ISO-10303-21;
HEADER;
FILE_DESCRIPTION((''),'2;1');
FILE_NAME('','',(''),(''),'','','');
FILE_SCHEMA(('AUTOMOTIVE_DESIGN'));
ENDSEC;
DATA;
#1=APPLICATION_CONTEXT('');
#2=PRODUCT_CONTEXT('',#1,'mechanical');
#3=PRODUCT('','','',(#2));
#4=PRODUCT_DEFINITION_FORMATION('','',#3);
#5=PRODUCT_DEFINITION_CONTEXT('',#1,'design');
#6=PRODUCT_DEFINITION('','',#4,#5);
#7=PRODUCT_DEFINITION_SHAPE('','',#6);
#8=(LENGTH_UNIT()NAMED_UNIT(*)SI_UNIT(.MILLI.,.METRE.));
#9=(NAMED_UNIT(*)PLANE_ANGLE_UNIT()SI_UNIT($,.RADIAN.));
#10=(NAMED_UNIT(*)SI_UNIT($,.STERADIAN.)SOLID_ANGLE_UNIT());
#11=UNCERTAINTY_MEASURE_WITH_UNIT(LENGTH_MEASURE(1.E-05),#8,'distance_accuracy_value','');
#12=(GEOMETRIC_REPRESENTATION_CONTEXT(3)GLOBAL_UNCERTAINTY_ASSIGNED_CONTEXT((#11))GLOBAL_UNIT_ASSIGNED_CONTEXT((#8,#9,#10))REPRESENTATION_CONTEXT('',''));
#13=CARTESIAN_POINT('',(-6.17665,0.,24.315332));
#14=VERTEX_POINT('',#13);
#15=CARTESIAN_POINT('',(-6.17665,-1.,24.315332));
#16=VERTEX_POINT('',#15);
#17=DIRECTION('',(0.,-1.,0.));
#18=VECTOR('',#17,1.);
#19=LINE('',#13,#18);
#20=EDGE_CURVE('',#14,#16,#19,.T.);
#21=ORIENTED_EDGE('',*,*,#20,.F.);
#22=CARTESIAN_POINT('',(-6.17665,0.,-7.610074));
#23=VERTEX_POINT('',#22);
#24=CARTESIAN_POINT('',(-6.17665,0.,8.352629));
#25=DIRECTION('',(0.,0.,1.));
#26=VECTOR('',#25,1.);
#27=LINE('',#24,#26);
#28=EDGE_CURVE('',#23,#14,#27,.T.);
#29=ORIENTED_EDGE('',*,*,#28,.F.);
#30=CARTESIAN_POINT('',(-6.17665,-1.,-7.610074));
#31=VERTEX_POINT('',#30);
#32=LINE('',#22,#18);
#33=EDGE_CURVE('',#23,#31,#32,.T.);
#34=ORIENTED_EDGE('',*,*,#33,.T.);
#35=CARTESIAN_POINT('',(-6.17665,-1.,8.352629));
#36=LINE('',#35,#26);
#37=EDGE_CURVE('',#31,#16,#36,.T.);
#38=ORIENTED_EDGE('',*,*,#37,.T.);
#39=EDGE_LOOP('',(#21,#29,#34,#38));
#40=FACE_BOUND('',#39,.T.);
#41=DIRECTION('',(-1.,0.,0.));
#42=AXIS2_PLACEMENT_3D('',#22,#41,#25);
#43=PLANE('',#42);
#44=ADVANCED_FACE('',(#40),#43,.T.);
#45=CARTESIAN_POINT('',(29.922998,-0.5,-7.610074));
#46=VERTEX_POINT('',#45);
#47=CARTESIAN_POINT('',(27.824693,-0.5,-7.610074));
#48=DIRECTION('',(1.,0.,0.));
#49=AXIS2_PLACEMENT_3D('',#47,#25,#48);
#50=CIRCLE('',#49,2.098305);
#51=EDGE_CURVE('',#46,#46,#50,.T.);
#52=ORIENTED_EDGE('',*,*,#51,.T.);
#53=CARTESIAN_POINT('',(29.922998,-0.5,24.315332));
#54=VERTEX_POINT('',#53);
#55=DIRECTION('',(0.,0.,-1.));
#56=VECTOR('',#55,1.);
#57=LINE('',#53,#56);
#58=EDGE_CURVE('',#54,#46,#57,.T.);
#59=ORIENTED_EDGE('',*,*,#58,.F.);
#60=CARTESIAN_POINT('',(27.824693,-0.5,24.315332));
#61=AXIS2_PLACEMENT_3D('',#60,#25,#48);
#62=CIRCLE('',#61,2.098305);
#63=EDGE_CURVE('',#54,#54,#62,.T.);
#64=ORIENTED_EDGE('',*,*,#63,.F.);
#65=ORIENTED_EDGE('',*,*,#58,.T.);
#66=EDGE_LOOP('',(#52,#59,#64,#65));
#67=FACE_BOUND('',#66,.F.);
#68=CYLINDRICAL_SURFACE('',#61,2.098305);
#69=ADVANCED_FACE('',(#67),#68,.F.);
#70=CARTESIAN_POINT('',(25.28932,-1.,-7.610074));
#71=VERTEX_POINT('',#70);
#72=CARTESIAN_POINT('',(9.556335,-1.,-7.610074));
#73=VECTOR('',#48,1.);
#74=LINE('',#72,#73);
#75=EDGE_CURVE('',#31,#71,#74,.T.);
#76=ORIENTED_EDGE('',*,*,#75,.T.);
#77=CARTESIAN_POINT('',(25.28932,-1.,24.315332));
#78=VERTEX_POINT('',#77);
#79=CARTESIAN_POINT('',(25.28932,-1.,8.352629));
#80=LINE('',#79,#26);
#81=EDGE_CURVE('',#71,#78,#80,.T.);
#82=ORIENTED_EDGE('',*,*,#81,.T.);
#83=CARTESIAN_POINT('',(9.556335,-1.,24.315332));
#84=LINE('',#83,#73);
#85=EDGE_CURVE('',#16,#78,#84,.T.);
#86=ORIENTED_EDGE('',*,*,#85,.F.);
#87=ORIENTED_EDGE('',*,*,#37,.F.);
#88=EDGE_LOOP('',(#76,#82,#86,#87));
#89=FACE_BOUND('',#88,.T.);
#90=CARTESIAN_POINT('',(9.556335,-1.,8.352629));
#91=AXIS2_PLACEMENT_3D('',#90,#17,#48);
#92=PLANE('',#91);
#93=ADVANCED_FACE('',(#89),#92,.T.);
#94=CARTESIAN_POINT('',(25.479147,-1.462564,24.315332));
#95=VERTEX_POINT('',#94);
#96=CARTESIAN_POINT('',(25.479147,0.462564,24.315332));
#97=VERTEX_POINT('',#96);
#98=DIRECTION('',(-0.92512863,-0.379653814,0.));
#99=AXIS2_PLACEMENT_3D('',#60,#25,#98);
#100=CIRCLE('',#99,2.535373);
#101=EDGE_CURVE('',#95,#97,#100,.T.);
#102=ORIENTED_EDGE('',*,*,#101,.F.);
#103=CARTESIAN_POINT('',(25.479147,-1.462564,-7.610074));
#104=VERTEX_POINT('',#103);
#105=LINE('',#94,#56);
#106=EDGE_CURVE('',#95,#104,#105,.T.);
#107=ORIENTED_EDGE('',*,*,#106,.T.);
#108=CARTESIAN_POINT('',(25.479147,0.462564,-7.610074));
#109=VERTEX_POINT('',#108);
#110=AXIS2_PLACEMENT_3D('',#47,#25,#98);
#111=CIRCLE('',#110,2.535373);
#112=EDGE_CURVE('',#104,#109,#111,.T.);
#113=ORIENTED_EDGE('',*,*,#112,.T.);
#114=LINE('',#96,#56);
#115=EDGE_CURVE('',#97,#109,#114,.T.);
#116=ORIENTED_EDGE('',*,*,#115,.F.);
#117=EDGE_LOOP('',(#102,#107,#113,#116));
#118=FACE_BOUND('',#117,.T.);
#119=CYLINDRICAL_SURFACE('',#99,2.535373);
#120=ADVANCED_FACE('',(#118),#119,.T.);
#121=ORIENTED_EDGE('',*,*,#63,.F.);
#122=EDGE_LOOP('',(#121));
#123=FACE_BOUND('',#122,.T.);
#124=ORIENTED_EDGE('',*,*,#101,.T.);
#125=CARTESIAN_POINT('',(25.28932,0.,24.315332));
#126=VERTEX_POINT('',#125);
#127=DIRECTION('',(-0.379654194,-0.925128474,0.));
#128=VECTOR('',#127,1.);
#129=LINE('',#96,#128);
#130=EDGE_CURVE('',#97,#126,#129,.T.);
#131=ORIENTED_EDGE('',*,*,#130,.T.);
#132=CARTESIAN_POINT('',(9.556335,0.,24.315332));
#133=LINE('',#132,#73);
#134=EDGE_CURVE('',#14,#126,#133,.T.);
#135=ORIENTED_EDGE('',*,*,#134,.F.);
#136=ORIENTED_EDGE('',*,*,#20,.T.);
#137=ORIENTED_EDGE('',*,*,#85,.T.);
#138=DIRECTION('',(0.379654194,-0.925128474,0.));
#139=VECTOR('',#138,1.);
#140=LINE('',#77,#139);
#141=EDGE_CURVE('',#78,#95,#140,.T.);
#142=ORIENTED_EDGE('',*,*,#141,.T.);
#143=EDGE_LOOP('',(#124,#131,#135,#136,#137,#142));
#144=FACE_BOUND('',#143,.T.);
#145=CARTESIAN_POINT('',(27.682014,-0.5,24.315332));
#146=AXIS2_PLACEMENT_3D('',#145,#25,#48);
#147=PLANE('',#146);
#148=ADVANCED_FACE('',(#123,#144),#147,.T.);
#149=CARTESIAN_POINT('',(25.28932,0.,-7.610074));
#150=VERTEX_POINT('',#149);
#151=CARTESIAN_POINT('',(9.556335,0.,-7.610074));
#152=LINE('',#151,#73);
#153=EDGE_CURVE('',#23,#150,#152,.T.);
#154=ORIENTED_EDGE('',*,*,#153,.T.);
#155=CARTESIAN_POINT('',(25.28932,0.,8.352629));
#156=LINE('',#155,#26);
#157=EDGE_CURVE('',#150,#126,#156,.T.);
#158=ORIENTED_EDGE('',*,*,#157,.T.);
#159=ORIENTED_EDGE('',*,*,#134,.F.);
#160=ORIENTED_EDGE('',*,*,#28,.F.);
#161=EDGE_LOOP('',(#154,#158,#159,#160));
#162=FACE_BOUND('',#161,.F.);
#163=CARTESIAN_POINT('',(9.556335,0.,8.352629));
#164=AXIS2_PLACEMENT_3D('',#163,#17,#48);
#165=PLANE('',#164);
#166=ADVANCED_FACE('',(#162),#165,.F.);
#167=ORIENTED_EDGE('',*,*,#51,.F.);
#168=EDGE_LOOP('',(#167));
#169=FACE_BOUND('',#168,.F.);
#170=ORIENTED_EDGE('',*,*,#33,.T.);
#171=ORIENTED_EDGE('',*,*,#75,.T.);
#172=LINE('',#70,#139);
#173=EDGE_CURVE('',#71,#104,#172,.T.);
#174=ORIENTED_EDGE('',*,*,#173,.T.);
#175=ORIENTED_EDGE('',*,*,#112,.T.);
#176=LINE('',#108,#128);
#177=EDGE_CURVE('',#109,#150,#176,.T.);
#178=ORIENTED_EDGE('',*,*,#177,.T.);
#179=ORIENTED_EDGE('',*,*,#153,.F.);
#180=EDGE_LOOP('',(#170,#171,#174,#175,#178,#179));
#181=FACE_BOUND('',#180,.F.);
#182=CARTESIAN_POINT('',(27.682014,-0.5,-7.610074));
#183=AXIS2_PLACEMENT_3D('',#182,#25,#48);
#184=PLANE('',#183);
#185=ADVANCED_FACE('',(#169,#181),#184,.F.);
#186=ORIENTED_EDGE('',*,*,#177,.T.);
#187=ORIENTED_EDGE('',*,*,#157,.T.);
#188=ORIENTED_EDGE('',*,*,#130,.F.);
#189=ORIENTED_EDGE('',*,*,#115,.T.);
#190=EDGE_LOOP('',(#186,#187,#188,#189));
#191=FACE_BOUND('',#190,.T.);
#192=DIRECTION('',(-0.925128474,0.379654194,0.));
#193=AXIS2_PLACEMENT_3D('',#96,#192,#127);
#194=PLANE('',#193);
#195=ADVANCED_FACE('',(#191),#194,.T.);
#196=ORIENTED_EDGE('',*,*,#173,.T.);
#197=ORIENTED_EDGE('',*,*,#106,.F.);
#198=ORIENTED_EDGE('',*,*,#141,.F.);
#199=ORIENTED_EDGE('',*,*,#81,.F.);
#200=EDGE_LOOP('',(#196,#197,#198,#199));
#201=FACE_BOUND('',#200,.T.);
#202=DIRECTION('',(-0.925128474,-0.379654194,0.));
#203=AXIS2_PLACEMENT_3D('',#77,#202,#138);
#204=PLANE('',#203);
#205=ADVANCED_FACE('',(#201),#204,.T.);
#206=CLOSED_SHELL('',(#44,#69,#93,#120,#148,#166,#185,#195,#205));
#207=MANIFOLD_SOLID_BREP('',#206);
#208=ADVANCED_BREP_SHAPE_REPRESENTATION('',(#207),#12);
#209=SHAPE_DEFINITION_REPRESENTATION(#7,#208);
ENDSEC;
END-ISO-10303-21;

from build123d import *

# Parameters (mm, degrees)
F0_W     = 31.46597
F0_H     = 31.925406
F1_DEPTH = 1
F2_R     = 2.098305
F3_DEPTH = 31.925406


with BuildPart() as f1:
    # F0 (on Front) → F1 (new body)
    with BuildSketch(Plane.XZ):
        with Locations((9.556335, 8.352629)):
            Rectangle(F0_W, F0_H)
    extrude(amount=F1_DEPTH)

    # F2 (on face) → F3 (join, through all)
    with BuildSketch(Plane.XY.offset(24.315332)):
        with BuildLine():
            Line((25.28932, -1), (25.479147, -1.462564))
            ThreePointArc((25.479147, -1.462564), (30.360066, -0.5), (25.479147, 0.462564))
            Line((25.479147, 0.462564), (25.28932, 0))
            Line((25.28932, 0), (25.28932, -1))
        make_face()
        with Locations((27.824693, -0.5)):
            Circle(F2_R, mode=Mode.SUBTRACT)
    extrude(amount=-F3_DEPTH)


solid = f1.part
